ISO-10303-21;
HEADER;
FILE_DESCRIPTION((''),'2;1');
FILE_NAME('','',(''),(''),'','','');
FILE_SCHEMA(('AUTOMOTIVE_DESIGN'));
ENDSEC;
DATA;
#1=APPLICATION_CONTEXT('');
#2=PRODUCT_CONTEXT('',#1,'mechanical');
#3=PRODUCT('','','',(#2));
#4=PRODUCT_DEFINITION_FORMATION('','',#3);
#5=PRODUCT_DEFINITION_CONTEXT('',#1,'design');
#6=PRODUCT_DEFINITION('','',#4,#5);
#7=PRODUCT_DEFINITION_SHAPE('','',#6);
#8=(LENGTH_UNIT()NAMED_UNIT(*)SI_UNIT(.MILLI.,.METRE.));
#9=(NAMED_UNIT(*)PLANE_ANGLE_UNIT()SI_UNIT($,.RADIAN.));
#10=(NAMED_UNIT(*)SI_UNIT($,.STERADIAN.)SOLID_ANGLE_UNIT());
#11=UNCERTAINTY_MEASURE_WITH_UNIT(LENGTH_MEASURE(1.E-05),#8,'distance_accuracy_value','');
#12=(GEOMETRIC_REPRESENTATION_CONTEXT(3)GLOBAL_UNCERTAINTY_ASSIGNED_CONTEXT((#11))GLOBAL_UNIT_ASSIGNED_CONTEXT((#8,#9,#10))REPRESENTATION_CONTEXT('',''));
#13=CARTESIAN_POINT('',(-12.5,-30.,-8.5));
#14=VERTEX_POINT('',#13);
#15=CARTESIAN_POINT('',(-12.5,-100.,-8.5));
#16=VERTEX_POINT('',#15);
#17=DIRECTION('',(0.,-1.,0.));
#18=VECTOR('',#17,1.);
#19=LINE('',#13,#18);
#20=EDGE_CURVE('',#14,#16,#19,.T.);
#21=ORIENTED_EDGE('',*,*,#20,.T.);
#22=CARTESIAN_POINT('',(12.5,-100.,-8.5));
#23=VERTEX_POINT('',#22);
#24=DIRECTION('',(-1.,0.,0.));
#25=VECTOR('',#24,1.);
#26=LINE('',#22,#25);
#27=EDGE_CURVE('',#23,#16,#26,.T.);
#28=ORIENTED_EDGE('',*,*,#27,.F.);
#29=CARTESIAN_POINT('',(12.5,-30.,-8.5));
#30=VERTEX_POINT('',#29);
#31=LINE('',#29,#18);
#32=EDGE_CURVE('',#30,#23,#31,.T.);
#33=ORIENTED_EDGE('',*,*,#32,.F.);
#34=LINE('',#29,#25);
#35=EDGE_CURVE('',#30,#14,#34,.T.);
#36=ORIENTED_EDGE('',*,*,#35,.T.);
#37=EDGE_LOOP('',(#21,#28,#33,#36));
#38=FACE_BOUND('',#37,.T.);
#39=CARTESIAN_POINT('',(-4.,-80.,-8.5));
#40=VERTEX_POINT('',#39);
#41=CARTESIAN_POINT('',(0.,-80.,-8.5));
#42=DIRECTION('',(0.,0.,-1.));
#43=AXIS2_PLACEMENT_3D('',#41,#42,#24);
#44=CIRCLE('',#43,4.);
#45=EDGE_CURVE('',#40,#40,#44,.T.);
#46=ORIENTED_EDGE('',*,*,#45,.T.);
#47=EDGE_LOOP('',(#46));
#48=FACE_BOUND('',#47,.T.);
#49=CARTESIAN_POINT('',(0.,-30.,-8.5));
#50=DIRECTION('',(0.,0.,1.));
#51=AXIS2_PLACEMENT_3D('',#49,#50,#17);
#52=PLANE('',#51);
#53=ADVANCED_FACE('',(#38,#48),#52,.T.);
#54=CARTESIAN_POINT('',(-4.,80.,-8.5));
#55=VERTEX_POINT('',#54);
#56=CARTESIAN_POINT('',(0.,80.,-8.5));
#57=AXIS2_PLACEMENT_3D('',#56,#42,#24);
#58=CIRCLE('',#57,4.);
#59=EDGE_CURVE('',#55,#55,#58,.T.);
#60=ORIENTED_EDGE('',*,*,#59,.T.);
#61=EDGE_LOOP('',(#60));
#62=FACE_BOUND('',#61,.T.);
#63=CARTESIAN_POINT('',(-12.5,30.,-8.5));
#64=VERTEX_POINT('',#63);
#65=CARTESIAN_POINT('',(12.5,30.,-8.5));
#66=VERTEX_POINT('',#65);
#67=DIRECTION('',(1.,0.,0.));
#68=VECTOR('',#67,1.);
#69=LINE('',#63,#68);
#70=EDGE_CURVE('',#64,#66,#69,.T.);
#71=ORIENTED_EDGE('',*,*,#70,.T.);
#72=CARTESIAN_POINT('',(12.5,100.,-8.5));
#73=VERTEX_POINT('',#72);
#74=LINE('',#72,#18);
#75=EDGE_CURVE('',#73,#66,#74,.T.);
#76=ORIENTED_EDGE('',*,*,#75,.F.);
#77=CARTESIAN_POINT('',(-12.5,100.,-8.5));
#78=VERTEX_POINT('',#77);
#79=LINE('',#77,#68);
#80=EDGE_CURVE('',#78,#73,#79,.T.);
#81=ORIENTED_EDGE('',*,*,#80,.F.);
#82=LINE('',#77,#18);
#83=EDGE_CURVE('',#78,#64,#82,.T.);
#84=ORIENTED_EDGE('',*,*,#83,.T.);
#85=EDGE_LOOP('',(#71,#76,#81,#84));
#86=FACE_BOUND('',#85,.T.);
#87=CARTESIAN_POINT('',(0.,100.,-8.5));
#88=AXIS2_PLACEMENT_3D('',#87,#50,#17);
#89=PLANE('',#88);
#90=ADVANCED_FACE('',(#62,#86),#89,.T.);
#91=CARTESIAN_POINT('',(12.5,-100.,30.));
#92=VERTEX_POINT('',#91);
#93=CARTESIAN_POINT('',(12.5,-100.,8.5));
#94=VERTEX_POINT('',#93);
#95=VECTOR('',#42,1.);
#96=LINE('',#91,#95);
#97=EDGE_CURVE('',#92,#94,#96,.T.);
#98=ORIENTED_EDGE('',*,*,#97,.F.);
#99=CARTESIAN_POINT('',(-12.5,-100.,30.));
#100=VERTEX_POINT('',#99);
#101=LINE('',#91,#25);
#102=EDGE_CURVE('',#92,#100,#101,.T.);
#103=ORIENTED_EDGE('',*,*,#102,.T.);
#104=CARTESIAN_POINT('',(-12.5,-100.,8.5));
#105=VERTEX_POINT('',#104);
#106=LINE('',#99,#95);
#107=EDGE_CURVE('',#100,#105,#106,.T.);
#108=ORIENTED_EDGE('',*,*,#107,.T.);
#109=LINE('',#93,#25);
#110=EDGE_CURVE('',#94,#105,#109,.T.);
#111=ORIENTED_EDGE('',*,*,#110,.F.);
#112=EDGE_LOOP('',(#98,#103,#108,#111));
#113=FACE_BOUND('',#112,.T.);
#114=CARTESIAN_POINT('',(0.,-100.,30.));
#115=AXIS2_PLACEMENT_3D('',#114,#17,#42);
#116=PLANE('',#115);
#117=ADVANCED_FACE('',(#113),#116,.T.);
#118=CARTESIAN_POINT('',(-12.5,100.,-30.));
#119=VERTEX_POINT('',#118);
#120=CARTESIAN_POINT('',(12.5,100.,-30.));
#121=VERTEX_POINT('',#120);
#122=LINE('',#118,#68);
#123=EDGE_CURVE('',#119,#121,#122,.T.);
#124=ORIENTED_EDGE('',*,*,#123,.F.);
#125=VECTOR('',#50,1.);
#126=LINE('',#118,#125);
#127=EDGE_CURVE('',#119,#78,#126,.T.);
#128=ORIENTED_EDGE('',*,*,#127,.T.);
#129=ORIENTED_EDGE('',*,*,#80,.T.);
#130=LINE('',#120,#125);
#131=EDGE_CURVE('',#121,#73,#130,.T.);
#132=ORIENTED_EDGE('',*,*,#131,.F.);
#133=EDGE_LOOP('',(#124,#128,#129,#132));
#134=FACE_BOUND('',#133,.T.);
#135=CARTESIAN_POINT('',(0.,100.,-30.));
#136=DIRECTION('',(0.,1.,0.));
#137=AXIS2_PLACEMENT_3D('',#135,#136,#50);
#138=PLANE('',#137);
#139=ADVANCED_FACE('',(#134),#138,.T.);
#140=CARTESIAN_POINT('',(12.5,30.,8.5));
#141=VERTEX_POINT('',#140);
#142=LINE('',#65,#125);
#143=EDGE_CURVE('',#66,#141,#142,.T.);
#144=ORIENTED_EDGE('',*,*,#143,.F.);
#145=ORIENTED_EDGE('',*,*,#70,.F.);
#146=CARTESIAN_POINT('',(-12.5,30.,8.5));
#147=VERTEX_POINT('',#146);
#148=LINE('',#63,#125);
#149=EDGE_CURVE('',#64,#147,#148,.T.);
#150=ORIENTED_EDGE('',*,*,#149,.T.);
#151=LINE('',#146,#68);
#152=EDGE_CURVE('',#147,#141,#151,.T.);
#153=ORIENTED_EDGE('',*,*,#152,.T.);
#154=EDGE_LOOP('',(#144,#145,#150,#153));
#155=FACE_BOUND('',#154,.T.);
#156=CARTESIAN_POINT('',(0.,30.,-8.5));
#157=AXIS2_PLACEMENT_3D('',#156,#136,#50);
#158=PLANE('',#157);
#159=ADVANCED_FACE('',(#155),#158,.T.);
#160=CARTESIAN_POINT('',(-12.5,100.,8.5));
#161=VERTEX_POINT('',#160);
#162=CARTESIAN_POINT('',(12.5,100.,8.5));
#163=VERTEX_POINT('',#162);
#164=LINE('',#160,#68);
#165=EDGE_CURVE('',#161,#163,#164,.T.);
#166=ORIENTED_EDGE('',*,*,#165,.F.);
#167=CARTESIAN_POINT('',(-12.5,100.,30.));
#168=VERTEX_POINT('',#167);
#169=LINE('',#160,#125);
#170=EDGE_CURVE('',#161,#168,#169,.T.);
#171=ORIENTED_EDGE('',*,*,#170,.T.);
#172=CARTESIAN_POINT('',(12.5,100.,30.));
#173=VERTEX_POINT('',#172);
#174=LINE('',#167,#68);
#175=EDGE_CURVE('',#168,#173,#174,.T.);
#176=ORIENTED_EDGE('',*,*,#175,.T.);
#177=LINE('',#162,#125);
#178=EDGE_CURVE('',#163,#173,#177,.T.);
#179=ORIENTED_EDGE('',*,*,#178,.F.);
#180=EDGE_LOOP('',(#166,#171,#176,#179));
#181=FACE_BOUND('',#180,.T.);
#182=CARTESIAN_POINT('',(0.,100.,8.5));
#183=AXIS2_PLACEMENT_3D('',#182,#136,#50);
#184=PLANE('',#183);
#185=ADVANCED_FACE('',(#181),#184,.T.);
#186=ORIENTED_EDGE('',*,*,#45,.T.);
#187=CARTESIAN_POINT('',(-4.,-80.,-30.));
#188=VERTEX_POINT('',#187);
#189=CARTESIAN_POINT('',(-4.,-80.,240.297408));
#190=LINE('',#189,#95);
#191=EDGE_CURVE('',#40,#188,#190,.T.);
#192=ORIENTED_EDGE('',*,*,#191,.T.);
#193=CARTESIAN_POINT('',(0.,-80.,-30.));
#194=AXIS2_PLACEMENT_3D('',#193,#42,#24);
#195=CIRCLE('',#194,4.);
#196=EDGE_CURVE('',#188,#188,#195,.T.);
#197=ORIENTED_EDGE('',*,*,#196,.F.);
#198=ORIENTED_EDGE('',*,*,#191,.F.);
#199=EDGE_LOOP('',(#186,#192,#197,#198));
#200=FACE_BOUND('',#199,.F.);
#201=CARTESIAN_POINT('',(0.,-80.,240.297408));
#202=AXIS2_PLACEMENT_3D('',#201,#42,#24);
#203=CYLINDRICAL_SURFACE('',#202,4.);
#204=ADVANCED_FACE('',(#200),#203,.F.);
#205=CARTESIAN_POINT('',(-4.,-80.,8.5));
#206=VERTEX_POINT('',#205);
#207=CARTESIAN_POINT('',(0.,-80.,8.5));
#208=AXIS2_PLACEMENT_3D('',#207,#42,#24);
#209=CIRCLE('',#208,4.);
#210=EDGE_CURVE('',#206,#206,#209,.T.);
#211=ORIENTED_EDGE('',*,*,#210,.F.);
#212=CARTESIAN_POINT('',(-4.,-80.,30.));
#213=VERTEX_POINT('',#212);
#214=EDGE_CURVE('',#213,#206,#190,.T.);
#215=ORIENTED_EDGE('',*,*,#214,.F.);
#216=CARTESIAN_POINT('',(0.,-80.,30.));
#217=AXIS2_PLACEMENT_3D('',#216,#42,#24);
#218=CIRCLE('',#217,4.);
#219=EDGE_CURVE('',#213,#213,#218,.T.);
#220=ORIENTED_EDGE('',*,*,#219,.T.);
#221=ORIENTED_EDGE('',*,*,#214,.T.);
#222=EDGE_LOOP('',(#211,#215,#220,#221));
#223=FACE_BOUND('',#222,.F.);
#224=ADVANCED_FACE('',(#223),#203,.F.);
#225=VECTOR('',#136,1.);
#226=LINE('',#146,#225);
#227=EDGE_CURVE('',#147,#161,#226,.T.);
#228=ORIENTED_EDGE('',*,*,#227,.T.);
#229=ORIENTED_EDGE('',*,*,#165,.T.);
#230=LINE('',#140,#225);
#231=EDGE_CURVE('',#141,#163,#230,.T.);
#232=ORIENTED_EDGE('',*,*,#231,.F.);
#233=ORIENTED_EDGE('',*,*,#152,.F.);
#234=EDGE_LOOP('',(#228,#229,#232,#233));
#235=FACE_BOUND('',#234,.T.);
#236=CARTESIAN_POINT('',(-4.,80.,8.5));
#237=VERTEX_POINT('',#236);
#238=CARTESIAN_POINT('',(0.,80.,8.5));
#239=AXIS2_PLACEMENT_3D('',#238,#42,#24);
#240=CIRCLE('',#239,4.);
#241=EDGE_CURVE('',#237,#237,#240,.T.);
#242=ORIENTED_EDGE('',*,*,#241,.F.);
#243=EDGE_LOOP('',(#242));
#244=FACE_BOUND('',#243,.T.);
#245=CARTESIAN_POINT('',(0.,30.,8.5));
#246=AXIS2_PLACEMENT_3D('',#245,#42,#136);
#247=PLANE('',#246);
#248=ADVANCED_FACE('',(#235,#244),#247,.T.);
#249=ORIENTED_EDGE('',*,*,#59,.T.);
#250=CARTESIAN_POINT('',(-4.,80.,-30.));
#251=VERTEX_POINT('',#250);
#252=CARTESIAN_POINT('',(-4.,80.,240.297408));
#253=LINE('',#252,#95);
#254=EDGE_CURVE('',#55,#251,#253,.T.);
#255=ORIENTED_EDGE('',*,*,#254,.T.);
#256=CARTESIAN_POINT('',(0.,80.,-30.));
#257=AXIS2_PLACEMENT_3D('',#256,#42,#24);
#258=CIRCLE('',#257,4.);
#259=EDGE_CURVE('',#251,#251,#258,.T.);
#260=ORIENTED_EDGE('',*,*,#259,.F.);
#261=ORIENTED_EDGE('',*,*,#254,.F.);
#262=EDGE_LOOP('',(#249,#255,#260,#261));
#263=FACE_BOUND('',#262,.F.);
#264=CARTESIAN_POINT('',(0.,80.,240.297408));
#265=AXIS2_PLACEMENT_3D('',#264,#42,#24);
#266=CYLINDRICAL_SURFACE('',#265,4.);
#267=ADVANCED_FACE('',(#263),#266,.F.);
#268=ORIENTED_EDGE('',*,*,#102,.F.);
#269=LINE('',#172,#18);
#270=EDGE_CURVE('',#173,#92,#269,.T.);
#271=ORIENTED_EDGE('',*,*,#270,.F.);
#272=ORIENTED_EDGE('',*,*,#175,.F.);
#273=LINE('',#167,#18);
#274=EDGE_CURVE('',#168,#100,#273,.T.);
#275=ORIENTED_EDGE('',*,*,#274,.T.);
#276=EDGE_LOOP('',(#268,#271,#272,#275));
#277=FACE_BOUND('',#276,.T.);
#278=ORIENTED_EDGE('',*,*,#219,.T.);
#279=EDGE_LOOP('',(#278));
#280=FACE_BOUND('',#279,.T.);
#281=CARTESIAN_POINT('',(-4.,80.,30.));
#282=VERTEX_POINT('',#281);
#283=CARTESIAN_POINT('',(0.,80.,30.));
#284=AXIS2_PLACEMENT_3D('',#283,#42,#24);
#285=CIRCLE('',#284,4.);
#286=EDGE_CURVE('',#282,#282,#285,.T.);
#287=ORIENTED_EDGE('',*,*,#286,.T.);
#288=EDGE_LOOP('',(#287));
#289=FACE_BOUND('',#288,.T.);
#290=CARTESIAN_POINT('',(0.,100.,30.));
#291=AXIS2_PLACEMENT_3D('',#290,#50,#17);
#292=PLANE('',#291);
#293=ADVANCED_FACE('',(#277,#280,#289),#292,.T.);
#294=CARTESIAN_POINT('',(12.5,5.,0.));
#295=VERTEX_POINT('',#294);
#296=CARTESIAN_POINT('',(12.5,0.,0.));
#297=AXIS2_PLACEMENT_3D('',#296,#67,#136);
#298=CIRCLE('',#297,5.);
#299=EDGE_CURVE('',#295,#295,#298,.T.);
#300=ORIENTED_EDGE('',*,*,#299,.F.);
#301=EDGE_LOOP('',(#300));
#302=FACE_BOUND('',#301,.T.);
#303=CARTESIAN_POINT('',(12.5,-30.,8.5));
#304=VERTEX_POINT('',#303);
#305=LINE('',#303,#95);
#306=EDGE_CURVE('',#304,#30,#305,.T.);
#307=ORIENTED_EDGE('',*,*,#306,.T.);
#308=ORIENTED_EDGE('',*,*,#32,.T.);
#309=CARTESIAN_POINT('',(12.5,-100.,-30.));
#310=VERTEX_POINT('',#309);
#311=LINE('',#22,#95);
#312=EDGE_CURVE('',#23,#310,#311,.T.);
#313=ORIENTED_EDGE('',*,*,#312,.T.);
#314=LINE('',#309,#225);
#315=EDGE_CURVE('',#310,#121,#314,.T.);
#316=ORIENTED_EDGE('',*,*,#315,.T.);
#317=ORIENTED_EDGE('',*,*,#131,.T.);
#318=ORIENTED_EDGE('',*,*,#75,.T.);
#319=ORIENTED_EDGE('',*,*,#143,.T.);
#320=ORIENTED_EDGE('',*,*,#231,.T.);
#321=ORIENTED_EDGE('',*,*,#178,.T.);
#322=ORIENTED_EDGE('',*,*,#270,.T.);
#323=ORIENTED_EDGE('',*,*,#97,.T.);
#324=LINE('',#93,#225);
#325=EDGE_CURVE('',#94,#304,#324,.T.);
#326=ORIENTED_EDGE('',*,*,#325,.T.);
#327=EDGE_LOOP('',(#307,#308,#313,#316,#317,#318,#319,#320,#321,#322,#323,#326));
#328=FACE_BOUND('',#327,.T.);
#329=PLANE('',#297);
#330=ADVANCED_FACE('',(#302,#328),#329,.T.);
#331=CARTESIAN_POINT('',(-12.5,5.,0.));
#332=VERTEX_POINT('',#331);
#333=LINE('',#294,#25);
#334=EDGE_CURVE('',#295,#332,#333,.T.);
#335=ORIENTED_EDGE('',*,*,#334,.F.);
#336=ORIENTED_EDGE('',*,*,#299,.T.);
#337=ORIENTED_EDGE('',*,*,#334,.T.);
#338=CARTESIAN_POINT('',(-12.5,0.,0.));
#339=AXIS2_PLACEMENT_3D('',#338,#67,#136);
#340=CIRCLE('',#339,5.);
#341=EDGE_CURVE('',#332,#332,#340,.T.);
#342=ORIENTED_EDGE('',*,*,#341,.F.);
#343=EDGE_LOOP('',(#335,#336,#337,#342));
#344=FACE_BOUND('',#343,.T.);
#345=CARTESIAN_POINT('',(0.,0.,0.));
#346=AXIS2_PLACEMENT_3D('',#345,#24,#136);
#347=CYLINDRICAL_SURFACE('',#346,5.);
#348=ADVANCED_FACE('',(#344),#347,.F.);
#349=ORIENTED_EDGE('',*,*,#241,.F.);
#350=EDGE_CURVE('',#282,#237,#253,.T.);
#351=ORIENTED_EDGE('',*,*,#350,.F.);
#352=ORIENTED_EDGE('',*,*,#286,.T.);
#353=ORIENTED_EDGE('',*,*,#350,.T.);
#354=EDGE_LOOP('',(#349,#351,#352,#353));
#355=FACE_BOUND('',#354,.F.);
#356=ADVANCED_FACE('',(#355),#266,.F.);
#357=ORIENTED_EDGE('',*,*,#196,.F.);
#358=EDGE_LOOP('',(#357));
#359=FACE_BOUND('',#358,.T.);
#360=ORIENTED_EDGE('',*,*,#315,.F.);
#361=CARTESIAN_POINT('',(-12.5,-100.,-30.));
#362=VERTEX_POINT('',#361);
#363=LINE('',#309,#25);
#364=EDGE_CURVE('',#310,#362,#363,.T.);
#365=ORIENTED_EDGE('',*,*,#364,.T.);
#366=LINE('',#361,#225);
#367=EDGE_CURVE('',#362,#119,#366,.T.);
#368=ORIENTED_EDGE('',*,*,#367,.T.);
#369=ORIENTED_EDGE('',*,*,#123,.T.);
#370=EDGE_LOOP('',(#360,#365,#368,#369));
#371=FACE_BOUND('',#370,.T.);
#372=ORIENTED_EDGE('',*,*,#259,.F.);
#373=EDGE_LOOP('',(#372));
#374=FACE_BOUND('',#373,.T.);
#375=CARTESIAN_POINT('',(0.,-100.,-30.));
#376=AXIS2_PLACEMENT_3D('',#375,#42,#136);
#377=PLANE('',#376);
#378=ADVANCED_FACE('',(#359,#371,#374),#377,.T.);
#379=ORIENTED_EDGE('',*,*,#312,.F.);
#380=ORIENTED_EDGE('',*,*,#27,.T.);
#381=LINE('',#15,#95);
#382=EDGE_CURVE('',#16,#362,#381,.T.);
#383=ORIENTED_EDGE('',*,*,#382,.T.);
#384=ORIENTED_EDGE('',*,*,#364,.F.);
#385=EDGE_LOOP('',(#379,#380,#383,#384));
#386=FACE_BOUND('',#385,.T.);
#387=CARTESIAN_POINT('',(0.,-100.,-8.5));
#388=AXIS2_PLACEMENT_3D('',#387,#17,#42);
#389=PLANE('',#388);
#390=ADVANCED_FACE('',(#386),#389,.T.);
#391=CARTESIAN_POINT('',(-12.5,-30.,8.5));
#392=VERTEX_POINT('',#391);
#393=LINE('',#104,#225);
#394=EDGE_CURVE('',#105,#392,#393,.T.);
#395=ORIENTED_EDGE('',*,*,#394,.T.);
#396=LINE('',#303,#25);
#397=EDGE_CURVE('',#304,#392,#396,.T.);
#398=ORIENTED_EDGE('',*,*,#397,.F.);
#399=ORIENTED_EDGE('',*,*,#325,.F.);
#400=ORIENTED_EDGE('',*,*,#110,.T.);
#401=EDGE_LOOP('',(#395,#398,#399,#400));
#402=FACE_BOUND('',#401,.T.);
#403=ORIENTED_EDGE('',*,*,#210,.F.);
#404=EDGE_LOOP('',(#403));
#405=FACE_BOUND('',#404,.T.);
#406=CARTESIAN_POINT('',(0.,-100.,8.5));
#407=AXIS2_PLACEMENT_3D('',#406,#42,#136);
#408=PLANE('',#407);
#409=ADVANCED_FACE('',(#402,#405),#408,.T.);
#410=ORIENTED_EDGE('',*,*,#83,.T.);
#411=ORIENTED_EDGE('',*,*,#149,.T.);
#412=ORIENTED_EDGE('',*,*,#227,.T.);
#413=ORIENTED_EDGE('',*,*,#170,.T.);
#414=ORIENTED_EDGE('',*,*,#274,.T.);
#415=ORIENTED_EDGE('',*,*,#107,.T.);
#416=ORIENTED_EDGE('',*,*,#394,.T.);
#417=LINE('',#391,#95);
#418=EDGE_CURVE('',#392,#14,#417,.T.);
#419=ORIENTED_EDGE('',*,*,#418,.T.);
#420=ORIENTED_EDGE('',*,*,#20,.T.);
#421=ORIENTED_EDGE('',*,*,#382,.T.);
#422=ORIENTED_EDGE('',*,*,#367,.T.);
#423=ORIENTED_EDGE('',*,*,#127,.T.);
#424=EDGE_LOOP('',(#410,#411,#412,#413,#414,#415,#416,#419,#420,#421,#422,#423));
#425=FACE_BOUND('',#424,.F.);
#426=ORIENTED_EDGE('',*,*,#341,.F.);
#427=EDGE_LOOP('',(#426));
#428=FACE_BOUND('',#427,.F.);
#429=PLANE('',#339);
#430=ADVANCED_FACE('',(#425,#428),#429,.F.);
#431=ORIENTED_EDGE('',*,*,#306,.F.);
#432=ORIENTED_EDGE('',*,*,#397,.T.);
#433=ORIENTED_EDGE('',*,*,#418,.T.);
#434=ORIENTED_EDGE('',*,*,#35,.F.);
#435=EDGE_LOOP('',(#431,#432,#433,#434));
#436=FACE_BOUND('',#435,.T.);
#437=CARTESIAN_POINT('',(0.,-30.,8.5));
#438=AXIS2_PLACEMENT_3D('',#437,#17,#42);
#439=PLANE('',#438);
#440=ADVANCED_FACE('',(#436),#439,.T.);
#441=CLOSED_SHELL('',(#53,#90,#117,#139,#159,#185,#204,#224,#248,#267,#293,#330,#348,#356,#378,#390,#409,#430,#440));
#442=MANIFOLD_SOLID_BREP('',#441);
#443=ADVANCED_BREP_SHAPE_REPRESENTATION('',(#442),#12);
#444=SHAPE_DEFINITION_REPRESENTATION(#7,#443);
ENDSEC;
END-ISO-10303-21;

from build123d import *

# Parameters (mm, degrees)
F0_R     = 5
F1_DEPTH = 12.5
F3_D     = 8


with BuildPart() as f1:
    # F0 (on Right) → F1 (new body, symmetric)
    with BuildSketch(Plane.YZ):
        Polygon((-100, -30), (100, -30), (100, -8.5), (30, -8.5), (30, 8.5), (100, 8.5), (100, 30), (-100, 30), (-100, 8.5), (-30, 8.5), (-30, -8.5), (-100, -8.5), align=None)
        Circle(F0_R, mode=Mode.SUBTRACT)
    extrude(amount=F1_DEPTH, both=True)

    # F3 (through all)
    with Locations(Plane.XY.offset(30)):
        with Locations((0, -80), (0, 80)):
            Hole(F3_D / 2)


solid = f1.part
